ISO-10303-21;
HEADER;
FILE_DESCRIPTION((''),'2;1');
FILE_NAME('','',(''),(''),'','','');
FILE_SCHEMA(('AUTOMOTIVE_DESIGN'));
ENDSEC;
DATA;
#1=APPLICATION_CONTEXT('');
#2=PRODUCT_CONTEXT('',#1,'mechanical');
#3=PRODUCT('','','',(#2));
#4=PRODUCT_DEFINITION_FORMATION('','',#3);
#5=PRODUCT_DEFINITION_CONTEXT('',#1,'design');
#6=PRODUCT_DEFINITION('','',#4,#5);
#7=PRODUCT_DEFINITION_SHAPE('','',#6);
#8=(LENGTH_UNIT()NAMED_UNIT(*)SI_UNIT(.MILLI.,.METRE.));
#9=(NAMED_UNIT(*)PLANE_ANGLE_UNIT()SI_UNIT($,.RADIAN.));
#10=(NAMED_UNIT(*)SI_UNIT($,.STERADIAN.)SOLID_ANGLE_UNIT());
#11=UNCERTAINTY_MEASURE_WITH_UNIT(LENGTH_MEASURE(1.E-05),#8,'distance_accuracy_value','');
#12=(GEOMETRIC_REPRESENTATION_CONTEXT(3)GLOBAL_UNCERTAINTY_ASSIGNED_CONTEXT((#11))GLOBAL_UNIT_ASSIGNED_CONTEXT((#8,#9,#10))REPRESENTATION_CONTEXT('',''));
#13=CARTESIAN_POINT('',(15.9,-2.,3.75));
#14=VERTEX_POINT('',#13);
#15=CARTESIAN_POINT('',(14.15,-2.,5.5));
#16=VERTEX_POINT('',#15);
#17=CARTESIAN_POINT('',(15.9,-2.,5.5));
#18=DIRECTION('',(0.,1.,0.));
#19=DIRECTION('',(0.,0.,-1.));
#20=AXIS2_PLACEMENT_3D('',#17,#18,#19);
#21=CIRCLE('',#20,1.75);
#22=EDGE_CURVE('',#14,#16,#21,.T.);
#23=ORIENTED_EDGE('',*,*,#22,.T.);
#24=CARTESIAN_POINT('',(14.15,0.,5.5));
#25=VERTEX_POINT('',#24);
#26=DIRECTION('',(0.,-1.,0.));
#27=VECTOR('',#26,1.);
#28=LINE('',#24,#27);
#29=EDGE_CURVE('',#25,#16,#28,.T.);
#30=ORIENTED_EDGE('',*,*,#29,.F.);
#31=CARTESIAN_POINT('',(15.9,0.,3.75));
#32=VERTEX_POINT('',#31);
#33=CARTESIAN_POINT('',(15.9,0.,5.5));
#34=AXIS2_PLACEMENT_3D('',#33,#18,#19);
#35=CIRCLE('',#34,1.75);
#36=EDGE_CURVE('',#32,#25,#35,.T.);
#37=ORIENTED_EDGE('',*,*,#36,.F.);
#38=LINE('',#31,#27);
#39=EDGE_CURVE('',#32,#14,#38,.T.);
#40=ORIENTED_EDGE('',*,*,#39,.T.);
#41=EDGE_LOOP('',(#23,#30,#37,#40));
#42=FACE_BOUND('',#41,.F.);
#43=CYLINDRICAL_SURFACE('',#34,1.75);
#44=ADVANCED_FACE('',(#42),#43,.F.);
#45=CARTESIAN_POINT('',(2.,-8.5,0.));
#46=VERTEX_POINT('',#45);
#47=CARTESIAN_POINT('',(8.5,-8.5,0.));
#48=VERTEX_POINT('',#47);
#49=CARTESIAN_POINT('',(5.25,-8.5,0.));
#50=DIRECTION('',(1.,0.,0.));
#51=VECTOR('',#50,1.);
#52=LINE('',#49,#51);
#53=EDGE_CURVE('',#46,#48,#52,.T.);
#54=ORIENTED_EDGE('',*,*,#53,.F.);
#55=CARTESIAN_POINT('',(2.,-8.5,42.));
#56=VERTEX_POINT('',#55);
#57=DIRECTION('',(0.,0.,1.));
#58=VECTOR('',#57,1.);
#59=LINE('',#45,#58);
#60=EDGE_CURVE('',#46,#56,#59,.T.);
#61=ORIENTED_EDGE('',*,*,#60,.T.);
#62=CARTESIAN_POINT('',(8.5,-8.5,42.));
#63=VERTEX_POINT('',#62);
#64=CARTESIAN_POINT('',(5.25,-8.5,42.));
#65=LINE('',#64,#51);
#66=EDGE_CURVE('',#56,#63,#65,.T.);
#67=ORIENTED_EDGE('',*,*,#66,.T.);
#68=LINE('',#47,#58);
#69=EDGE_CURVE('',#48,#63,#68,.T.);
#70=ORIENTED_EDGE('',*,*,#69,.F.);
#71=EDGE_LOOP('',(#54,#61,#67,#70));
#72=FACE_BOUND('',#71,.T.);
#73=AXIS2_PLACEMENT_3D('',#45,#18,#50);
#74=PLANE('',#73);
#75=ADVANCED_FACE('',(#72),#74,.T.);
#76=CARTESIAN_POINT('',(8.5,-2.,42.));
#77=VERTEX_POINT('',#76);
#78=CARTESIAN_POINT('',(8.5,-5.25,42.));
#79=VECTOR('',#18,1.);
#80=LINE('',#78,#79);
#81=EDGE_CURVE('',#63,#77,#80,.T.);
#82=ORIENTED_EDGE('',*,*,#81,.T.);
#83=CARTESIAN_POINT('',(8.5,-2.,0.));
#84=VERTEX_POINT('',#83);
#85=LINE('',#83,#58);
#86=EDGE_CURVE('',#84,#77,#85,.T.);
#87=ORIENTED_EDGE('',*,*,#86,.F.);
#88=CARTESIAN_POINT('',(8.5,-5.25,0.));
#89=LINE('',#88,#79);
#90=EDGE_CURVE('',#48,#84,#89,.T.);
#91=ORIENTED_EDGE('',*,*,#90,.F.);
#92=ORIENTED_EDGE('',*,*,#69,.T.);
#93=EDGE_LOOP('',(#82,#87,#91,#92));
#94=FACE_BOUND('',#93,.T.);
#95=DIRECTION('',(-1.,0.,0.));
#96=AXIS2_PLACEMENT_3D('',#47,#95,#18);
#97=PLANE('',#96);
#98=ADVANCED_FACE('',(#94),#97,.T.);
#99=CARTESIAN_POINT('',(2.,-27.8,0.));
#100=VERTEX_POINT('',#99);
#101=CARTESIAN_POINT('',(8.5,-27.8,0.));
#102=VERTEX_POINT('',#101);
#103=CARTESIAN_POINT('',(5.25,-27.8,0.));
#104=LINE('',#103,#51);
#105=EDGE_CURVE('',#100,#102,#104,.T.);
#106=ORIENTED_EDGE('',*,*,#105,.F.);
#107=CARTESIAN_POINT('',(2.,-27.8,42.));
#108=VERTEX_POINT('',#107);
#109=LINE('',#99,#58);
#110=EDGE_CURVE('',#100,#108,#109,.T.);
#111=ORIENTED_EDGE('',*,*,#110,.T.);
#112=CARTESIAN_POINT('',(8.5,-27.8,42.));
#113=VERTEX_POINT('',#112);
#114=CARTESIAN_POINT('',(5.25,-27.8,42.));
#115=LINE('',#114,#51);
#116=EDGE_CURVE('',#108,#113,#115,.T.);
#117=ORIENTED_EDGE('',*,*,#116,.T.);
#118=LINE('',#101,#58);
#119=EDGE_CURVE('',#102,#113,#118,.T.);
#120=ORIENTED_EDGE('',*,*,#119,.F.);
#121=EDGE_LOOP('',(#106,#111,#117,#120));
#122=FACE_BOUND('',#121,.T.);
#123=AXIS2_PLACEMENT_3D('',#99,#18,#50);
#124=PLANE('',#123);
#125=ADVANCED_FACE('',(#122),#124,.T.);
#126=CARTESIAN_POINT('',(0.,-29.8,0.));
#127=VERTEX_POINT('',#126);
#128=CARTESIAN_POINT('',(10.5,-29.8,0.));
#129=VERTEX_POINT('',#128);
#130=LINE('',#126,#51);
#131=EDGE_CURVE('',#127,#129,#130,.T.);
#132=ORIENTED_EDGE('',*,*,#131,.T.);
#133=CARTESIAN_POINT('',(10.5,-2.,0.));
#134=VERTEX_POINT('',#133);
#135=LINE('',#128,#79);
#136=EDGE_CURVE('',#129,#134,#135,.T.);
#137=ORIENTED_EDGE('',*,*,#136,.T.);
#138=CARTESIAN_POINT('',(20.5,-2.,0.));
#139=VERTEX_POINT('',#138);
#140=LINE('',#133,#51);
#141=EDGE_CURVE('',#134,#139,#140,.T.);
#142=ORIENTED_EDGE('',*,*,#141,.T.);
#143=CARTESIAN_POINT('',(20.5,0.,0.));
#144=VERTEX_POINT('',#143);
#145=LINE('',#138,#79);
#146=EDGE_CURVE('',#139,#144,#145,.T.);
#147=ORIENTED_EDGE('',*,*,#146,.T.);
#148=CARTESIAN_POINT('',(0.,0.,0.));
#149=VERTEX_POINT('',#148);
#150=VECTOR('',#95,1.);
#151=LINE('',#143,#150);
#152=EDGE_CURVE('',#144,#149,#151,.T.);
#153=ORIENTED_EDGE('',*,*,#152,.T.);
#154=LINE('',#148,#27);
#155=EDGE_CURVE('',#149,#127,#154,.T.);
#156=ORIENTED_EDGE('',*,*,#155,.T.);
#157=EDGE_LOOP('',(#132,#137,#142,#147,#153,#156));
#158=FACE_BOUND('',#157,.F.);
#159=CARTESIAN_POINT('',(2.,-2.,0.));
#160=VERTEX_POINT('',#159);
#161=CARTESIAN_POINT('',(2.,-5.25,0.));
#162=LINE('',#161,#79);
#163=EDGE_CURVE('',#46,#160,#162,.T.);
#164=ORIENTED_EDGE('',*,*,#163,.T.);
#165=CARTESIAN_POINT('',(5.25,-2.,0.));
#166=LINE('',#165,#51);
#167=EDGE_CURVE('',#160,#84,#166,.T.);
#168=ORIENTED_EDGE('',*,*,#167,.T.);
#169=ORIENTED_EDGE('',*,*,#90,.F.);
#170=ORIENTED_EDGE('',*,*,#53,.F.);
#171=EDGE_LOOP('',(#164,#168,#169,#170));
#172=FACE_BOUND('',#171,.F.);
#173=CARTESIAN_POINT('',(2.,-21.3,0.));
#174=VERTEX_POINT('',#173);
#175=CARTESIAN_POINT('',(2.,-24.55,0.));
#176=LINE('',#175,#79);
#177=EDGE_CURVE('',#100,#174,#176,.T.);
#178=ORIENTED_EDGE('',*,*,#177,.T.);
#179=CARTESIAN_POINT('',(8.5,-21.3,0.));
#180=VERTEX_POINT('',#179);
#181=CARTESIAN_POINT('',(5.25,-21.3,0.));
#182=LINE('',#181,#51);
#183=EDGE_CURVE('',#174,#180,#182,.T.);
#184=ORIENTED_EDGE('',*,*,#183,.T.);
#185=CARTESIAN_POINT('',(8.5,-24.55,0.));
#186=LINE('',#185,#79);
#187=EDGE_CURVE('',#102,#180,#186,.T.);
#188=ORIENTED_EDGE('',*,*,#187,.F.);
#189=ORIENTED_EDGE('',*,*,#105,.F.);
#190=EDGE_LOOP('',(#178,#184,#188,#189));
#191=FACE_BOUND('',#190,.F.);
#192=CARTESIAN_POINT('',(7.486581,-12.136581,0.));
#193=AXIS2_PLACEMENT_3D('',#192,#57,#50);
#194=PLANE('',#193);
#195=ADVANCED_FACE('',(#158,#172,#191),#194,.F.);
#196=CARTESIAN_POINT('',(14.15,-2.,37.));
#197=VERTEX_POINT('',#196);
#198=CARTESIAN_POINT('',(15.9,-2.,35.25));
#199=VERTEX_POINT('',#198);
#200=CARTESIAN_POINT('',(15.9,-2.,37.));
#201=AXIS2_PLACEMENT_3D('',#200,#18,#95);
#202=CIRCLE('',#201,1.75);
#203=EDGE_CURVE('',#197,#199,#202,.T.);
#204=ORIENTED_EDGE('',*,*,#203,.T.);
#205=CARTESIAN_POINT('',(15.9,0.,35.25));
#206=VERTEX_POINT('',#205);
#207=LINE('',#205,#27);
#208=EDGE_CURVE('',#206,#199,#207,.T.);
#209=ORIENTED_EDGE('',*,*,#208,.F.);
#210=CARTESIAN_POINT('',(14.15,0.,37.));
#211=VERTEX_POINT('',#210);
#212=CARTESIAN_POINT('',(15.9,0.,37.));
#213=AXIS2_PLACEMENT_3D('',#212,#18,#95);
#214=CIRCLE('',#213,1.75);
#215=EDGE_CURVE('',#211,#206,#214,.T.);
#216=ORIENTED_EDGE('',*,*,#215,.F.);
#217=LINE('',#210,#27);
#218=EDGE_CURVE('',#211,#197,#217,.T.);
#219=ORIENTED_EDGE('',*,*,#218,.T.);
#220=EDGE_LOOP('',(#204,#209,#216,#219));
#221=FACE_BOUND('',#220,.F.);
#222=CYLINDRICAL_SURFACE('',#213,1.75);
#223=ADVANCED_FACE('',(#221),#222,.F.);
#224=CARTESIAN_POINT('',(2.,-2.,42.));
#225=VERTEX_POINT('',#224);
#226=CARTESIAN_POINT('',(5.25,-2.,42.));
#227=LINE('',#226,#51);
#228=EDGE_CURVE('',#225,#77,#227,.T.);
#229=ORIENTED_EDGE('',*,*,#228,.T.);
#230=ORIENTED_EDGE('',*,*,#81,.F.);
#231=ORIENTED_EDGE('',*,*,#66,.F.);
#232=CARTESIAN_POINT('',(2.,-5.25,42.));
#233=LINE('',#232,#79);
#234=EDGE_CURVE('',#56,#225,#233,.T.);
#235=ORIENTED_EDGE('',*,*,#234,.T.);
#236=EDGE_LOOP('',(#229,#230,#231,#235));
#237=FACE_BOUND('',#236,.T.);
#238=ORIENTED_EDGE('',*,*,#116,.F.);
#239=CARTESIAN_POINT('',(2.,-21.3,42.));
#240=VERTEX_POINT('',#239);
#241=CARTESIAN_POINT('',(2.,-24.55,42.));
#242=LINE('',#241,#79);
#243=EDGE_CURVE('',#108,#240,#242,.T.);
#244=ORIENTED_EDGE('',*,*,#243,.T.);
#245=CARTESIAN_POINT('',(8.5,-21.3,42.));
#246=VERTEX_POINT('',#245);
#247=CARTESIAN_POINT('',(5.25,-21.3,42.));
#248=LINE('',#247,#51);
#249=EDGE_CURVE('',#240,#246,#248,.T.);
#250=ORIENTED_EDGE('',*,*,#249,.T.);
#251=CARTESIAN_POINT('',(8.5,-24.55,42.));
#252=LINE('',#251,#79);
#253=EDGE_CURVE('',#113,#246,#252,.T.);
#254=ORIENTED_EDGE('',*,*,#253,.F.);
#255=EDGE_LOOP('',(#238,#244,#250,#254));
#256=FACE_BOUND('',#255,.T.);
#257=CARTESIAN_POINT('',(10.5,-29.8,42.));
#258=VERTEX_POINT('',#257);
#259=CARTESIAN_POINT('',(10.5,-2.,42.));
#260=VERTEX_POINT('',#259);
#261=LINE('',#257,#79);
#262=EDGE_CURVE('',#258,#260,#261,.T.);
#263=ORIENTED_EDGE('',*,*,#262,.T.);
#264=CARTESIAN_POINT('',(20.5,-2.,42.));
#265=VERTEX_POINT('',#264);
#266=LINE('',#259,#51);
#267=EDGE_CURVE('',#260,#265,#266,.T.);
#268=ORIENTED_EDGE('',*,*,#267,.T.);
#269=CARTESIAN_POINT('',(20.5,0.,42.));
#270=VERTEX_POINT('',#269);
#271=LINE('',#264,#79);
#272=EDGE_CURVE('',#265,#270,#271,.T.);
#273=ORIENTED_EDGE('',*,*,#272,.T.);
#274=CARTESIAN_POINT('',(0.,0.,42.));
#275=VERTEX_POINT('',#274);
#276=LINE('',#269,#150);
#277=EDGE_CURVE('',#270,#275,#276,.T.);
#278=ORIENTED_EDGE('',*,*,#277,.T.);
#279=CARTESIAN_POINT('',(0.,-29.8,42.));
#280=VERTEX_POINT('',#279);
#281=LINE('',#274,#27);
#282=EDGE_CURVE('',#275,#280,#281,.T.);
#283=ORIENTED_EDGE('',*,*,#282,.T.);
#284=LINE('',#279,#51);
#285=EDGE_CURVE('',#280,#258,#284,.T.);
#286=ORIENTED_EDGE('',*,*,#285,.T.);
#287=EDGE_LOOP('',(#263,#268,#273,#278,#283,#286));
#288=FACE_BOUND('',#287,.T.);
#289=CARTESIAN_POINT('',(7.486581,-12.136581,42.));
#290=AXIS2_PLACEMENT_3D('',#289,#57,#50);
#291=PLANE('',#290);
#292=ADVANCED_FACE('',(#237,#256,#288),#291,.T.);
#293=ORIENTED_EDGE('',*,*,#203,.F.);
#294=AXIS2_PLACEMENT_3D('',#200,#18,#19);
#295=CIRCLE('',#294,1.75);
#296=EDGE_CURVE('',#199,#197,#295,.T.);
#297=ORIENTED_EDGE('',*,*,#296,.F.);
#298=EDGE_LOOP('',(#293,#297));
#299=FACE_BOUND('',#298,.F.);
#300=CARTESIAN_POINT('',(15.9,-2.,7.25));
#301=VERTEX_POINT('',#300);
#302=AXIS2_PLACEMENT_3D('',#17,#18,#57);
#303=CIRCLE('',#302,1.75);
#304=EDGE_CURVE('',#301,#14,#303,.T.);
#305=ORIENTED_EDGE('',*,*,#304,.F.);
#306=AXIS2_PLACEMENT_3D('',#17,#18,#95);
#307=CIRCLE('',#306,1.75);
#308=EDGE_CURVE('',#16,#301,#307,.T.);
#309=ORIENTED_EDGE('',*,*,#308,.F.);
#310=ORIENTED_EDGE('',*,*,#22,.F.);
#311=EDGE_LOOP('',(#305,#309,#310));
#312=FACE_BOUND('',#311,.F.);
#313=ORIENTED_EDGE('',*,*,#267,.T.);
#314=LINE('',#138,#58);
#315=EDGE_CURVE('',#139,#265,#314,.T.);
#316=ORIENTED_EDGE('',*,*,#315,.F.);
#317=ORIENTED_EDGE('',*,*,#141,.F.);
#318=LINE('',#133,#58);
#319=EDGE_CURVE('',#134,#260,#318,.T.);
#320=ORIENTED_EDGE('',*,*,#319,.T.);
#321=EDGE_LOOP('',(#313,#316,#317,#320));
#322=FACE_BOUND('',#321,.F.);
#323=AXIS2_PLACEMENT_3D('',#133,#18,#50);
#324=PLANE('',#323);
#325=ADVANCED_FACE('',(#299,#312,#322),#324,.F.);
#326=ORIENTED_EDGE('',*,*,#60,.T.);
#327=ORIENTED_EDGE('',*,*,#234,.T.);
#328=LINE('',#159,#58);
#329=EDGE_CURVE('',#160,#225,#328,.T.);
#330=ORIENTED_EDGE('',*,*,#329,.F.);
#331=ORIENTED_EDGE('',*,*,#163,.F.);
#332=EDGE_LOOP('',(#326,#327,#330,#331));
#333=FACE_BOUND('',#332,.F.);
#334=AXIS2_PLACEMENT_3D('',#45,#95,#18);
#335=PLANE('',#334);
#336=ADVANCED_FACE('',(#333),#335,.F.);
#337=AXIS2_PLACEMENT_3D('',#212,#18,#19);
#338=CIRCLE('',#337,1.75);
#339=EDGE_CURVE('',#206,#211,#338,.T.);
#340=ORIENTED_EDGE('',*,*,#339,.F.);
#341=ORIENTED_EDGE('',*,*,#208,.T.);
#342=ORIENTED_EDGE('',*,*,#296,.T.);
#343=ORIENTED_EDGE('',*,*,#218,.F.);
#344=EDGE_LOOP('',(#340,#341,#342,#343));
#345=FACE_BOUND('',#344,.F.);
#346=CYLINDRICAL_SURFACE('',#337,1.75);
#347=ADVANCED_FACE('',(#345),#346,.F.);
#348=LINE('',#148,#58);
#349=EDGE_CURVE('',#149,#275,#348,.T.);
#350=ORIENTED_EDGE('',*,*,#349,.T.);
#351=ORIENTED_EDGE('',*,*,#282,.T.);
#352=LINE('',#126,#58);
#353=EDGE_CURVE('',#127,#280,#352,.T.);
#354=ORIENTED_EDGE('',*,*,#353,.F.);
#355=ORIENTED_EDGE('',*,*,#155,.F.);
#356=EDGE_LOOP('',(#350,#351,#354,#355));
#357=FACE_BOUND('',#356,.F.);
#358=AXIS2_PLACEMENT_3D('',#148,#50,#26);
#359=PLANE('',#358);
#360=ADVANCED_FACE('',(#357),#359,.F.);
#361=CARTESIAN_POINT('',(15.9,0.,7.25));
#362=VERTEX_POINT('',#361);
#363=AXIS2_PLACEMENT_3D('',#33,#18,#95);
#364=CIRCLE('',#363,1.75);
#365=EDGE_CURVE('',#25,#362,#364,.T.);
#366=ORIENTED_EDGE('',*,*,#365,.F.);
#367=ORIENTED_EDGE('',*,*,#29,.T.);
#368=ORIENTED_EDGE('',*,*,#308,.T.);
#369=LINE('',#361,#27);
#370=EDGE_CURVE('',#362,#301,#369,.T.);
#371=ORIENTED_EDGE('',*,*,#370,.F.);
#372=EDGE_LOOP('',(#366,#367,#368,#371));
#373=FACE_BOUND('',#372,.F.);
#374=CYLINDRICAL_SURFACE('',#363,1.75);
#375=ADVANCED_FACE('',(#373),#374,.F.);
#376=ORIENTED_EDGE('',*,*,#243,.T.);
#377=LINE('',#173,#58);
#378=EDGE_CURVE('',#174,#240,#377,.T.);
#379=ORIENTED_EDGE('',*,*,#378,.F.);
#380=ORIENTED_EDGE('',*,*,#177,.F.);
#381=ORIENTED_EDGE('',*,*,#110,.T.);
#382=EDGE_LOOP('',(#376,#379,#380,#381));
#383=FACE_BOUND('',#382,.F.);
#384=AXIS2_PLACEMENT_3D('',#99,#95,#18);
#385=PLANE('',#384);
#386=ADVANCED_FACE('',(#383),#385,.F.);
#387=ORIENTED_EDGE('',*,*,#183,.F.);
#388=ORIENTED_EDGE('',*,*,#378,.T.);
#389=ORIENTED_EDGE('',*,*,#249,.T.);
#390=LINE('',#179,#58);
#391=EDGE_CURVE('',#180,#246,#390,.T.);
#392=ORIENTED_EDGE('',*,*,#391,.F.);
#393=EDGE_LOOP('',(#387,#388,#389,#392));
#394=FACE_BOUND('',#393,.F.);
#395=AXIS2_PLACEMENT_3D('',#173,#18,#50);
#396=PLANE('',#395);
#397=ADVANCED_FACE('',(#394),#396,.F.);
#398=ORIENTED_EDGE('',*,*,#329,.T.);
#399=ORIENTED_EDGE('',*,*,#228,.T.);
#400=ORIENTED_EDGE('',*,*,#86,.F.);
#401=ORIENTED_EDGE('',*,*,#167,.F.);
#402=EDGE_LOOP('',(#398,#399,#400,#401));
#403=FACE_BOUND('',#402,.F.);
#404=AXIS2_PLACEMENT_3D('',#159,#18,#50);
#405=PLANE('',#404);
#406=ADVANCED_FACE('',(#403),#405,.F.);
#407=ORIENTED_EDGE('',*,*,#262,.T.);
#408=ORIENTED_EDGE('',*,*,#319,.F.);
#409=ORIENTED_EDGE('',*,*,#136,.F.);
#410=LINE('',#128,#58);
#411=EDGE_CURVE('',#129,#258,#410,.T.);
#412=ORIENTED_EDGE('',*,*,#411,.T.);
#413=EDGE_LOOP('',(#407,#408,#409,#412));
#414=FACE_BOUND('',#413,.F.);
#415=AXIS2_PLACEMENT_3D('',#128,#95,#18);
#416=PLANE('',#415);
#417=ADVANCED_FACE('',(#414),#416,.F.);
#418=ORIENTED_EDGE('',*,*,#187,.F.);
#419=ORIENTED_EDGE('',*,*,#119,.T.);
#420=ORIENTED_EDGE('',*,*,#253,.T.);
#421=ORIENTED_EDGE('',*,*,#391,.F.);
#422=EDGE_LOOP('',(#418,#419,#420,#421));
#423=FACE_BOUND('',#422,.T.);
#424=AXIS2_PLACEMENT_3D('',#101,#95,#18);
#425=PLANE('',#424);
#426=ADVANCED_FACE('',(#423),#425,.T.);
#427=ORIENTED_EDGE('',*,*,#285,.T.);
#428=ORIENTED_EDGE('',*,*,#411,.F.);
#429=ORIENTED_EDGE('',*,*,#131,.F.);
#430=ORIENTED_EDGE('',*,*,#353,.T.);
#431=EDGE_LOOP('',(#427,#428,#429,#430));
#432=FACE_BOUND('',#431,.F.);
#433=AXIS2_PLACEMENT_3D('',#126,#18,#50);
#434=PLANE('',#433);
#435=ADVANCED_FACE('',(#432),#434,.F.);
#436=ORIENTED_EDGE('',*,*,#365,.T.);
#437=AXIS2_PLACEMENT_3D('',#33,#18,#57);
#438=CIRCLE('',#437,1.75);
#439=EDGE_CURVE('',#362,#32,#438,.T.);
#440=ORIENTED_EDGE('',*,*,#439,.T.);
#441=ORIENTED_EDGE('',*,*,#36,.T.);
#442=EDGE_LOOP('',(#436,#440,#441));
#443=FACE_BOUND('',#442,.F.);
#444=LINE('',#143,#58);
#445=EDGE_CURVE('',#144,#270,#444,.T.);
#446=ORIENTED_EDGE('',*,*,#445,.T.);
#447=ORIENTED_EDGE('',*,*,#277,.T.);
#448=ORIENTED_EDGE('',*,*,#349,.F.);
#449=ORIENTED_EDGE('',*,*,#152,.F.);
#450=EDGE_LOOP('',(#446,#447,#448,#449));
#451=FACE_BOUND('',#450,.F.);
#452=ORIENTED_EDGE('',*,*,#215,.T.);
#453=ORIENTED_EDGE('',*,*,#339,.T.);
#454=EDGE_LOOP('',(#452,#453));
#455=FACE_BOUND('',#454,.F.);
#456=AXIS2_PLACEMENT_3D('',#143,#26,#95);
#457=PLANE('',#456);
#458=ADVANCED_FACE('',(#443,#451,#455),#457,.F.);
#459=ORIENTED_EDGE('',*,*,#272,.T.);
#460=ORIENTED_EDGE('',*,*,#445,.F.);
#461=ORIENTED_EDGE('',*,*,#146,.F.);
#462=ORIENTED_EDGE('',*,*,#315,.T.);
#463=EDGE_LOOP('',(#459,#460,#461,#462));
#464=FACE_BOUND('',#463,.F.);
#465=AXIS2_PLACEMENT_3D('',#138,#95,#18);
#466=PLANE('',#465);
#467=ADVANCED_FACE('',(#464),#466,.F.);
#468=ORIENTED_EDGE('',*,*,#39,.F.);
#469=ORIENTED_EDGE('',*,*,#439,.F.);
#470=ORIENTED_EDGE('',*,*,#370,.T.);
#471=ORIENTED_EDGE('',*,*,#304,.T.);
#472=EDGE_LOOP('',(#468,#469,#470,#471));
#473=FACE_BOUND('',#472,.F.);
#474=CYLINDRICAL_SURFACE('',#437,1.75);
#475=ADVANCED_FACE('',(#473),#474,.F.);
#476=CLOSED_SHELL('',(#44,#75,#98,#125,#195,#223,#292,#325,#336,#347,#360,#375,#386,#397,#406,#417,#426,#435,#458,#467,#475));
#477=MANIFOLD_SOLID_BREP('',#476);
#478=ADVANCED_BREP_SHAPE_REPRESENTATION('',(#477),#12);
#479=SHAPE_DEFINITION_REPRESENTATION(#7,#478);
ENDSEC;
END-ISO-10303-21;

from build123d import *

# Parameters (mm, degrees)
F0_W     = 6.5
F0_H     = 6.5
F1_DEPTH = 42
F3_DEPTH = 29.801


with BuildPart() as f1:
    # F0 (on Top) → F1 (new body)
    with BuildSketch(Plane.XY):
        Polygon((20.5, 0), (0, 0), (0, -29.8), (10.5, -29.8), (10.5, -2), (20.5, -2), align=None)
        with Locations((5.25, -24.55)):
            Rectangle(F0_W, F0_H, mode=Mode.SUBTRACT)
        with Locations((5.25, -5.25)):
            Rectangle(F0_W, F0_H, mode=Mode.SUBTRACT)
    extrude(amount=F1_DEPTH)

    # F2 (on face) → F3 (cut, through all)
    with BuildSketch(Plane(origin=(0, 0, 0), x_dir=(-1, 0, 0), z_dir=(0, 1, 0))):
        with BuildLine():
            Line((-15.9, 5.5), (-14.15, 5.5))
            ThreePointArc((-14.15, 5.5), (-14.6625631329, 6.7374368671), (-15.9, 7.25))
            Line((-15.9, 7.25), (-15.9, 5.5))
        make_face()
        with BuildLine():
            Line((-15.9, 5.5), (-15.9, 3.75))
            ThreePointArc((-15.9, 3.75), (-14.6625631329, 4.2625631329), (-14.15, 5.5))
            Line((-14.15, 5.5), (-15.9, 5.5))
        make_face()
        with BuildLine():
            ThreePointArc((-15.9, 7.25), (-17.65, 5.5), (-15.9, 3.75))
            Line((-15.9, 3.75), (-15.9, 5.5))
            Line((-15.9, 5.5), (-15.9, 7.25))
        make_face()
        with BuildLine():
            ThreePointArc((-15.9, 35.25), (-14.6625631329, 35.7625631329), (-14.15, 37))
            Line((-14.15, 37), (-15.9, 37))
            Line((-15.9, 37), (-15.9, 35.25))
        make_face()
        with BuildLine():
            Line((-15.9, 37), (-14.15, 37))
            ThreePointArc((-14.15, 37), (-17.1374368671, 38.2374368671), (-15.9, 35.25))
            Line((-15.9, 35.25), (-15.9, 37))
        make_face()
    extrude(amount=-F3_DEPTH, mode=Mode.SUBTRACT)


solid = f1.part
